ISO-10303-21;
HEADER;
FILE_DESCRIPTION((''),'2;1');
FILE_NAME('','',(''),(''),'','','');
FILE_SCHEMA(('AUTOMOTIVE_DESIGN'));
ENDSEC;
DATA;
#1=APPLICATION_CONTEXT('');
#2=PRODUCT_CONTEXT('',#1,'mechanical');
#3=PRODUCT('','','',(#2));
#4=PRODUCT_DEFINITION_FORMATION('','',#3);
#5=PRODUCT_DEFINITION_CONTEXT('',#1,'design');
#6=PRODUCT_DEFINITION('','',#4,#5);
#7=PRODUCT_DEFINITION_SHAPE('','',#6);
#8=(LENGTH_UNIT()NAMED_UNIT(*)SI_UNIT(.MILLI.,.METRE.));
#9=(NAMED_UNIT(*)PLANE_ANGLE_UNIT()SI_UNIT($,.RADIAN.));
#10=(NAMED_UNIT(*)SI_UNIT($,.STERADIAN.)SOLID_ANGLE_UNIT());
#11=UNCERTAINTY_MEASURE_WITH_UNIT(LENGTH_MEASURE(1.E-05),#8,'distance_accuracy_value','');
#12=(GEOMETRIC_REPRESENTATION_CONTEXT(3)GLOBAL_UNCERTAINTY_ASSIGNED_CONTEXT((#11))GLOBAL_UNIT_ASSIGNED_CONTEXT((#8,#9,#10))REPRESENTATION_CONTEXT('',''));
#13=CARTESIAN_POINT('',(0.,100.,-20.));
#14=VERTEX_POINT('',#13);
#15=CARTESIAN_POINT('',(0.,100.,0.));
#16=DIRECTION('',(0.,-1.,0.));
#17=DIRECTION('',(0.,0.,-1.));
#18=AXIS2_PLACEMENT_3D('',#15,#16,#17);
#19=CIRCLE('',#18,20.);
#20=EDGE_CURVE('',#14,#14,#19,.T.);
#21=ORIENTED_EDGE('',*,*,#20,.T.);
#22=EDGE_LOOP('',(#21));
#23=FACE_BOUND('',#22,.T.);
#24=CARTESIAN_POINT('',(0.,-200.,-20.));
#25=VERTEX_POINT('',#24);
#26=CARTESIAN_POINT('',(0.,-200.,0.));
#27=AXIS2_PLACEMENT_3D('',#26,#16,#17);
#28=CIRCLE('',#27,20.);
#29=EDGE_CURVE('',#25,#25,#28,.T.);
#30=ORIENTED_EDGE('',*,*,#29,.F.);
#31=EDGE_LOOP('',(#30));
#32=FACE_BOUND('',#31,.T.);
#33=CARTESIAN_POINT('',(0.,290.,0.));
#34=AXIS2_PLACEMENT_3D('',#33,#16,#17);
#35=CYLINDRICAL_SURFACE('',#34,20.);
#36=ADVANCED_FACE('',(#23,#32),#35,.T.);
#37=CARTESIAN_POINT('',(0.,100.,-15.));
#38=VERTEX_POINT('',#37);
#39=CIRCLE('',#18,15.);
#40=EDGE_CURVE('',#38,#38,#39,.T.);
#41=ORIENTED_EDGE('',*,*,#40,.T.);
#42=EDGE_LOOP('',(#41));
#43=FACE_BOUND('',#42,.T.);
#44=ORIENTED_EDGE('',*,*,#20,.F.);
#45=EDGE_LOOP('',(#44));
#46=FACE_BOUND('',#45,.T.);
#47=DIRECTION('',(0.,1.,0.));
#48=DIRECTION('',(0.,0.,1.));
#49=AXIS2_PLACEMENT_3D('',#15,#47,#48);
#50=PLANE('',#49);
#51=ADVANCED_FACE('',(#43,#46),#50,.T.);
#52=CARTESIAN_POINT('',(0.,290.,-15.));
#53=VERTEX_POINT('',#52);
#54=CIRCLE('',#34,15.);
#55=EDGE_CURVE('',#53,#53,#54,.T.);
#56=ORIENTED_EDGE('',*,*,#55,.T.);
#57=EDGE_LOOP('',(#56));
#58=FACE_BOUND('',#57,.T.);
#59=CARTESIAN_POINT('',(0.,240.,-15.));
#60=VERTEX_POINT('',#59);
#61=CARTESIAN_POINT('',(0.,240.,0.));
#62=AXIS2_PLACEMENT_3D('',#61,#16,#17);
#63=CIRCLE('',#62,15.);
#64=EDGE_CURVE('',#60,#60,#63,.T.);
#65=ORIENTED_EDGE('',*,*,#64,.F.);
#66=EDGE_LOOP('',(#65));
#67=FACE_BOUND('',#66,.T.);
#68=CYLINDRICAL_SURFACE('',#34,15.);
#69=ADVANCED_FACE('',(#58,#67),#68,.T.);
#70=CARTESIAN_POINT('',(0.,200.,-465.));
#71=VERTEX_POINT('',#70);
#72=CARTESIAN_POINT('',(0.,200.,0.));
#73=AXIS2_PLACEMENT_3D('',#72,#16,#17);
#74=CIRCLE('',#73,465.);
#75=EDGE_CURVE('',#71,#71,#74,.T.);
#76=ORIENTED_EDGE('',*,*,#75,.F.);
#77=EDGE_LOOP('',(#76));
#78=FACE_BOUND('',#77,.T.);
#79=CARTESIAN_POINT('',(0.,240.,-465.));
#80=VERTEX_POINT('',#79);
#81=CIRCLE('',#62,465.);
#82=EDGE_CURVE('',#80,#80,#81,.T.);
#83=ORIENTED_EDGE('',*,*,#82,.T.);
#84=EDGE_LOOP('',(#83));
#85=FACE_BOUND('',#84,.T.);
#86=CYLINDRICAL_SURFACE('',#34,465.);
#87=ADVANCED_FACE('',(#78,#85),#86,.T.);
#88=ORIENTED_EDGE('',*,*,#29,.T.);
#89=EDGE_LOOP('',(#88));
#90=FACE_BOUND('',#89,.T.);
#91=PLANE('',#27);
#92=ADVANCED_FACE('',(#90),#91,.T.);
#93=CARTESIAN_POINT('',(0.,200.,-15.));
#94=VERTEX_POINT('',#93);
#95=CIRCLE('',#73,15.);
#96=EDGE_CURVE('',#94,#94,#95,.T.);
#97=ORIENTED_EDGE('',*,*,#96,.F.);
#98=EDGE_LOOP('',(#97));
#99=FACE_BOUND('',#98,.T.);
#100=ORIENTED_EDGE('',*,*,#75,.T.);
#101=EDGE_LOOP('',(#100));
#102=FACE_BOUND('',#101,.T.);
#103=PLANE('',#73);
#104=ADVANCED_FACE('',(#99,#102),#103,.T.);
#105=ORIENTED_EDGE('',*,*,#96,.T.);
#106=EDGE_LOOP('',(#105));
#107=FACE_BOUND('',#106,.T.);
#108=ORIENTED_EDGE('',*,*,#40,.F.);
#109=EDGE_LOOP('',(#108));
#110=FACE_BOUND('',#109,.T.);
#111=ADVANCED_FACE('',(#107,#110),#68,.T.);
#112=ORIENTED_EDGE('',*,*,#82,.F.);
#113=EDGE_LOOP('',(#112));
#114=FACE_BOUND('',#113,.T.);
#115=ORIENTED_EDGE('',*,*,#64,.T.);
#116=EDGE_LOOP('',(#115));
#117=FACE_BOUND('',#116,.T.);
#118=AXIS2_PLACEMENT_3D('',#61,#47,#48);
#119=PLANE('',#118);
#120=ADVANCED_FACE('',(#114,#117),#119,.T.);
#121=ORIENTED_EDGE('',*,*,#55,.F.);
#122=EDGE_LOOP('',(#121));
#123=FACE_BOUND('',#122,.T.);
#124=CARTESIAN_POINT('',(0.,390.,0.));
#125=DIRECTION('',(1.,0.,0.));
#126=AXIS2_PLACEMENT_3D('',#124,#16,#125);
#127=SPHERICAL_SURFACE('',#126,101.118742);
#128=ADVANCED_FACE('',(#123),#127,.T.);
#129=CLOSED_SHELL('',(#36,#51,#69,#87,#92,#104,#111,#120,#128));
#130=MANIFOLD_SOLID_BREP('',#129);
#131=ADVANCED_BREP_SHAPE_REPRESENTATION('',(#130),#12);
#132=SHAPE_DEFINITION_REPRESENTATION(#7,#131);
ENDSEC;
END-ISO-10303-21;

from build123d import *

# Parameters (mm, degrees)
SKETCH_2_R      = 20
EXTRUDE_1_DEPTH = 200


with BuildPart() as part:
    # 草图1 → 旋转1 (revolve)
    with BuildSketch(Plane.XY, mode=Mode.PRIVATE) as revolve_1_sk:
        with BuildLine():
            Line((0, 288.881257919), (0, 0))
            Line((0, 0), (20, 0))
            Line((20, 0), (20, 100))
            Line((20, 100), (15, 100))
            Line((15, 100), (15, 200))
            Line((15, 200), (465, 200))
            Line((465, 200), (465, 240))
            Line((465, 240), (15, 240))
            Line((15, 240), (15, 290))
            ThreePointArc((15, 290), (7.520830803, 289.161331306), (0, 288.881257919))
        make_face()
        with BuildLine():
            Line((0, 390), (0, 290))
            Line((0, 290), (15, 290))
            ThreePointArc((15, 290), (76.6217369, 324.014324021), (101.118742081, 390))
            ThreePointArc((101.118742081, 390), (71.50174823, 461.50174823), (0, 491.118742081))
            Line((0, 491.118742081), (0, 390))
        make_face()
        with BuildLine():
            Line((0, 290), (0, 288.881257919))
            ThreePointArc((0, 288.881257919), (7.520830803, 289.161331306), (15, 290))
            Line((15, 290), (0, 290))
        make_face()
    revolve(revolve_1_sk.sketch.rotate(Axis((0, 290, 0), (0, 1, 0)), 90), axis=Axis((0, 290, 0), (0, 1, 0)))

    # 草图2 → 凸台-拉伸1 (add)
    with BuildSketch(Plane.XZ):
        with Locations(Location((0, 0, 0), (0, 0, 270))):
            Circle(SKETCH_2_R)
    extrude(amount=EXTRUDE_1_DEPTH)


solid = part.part
